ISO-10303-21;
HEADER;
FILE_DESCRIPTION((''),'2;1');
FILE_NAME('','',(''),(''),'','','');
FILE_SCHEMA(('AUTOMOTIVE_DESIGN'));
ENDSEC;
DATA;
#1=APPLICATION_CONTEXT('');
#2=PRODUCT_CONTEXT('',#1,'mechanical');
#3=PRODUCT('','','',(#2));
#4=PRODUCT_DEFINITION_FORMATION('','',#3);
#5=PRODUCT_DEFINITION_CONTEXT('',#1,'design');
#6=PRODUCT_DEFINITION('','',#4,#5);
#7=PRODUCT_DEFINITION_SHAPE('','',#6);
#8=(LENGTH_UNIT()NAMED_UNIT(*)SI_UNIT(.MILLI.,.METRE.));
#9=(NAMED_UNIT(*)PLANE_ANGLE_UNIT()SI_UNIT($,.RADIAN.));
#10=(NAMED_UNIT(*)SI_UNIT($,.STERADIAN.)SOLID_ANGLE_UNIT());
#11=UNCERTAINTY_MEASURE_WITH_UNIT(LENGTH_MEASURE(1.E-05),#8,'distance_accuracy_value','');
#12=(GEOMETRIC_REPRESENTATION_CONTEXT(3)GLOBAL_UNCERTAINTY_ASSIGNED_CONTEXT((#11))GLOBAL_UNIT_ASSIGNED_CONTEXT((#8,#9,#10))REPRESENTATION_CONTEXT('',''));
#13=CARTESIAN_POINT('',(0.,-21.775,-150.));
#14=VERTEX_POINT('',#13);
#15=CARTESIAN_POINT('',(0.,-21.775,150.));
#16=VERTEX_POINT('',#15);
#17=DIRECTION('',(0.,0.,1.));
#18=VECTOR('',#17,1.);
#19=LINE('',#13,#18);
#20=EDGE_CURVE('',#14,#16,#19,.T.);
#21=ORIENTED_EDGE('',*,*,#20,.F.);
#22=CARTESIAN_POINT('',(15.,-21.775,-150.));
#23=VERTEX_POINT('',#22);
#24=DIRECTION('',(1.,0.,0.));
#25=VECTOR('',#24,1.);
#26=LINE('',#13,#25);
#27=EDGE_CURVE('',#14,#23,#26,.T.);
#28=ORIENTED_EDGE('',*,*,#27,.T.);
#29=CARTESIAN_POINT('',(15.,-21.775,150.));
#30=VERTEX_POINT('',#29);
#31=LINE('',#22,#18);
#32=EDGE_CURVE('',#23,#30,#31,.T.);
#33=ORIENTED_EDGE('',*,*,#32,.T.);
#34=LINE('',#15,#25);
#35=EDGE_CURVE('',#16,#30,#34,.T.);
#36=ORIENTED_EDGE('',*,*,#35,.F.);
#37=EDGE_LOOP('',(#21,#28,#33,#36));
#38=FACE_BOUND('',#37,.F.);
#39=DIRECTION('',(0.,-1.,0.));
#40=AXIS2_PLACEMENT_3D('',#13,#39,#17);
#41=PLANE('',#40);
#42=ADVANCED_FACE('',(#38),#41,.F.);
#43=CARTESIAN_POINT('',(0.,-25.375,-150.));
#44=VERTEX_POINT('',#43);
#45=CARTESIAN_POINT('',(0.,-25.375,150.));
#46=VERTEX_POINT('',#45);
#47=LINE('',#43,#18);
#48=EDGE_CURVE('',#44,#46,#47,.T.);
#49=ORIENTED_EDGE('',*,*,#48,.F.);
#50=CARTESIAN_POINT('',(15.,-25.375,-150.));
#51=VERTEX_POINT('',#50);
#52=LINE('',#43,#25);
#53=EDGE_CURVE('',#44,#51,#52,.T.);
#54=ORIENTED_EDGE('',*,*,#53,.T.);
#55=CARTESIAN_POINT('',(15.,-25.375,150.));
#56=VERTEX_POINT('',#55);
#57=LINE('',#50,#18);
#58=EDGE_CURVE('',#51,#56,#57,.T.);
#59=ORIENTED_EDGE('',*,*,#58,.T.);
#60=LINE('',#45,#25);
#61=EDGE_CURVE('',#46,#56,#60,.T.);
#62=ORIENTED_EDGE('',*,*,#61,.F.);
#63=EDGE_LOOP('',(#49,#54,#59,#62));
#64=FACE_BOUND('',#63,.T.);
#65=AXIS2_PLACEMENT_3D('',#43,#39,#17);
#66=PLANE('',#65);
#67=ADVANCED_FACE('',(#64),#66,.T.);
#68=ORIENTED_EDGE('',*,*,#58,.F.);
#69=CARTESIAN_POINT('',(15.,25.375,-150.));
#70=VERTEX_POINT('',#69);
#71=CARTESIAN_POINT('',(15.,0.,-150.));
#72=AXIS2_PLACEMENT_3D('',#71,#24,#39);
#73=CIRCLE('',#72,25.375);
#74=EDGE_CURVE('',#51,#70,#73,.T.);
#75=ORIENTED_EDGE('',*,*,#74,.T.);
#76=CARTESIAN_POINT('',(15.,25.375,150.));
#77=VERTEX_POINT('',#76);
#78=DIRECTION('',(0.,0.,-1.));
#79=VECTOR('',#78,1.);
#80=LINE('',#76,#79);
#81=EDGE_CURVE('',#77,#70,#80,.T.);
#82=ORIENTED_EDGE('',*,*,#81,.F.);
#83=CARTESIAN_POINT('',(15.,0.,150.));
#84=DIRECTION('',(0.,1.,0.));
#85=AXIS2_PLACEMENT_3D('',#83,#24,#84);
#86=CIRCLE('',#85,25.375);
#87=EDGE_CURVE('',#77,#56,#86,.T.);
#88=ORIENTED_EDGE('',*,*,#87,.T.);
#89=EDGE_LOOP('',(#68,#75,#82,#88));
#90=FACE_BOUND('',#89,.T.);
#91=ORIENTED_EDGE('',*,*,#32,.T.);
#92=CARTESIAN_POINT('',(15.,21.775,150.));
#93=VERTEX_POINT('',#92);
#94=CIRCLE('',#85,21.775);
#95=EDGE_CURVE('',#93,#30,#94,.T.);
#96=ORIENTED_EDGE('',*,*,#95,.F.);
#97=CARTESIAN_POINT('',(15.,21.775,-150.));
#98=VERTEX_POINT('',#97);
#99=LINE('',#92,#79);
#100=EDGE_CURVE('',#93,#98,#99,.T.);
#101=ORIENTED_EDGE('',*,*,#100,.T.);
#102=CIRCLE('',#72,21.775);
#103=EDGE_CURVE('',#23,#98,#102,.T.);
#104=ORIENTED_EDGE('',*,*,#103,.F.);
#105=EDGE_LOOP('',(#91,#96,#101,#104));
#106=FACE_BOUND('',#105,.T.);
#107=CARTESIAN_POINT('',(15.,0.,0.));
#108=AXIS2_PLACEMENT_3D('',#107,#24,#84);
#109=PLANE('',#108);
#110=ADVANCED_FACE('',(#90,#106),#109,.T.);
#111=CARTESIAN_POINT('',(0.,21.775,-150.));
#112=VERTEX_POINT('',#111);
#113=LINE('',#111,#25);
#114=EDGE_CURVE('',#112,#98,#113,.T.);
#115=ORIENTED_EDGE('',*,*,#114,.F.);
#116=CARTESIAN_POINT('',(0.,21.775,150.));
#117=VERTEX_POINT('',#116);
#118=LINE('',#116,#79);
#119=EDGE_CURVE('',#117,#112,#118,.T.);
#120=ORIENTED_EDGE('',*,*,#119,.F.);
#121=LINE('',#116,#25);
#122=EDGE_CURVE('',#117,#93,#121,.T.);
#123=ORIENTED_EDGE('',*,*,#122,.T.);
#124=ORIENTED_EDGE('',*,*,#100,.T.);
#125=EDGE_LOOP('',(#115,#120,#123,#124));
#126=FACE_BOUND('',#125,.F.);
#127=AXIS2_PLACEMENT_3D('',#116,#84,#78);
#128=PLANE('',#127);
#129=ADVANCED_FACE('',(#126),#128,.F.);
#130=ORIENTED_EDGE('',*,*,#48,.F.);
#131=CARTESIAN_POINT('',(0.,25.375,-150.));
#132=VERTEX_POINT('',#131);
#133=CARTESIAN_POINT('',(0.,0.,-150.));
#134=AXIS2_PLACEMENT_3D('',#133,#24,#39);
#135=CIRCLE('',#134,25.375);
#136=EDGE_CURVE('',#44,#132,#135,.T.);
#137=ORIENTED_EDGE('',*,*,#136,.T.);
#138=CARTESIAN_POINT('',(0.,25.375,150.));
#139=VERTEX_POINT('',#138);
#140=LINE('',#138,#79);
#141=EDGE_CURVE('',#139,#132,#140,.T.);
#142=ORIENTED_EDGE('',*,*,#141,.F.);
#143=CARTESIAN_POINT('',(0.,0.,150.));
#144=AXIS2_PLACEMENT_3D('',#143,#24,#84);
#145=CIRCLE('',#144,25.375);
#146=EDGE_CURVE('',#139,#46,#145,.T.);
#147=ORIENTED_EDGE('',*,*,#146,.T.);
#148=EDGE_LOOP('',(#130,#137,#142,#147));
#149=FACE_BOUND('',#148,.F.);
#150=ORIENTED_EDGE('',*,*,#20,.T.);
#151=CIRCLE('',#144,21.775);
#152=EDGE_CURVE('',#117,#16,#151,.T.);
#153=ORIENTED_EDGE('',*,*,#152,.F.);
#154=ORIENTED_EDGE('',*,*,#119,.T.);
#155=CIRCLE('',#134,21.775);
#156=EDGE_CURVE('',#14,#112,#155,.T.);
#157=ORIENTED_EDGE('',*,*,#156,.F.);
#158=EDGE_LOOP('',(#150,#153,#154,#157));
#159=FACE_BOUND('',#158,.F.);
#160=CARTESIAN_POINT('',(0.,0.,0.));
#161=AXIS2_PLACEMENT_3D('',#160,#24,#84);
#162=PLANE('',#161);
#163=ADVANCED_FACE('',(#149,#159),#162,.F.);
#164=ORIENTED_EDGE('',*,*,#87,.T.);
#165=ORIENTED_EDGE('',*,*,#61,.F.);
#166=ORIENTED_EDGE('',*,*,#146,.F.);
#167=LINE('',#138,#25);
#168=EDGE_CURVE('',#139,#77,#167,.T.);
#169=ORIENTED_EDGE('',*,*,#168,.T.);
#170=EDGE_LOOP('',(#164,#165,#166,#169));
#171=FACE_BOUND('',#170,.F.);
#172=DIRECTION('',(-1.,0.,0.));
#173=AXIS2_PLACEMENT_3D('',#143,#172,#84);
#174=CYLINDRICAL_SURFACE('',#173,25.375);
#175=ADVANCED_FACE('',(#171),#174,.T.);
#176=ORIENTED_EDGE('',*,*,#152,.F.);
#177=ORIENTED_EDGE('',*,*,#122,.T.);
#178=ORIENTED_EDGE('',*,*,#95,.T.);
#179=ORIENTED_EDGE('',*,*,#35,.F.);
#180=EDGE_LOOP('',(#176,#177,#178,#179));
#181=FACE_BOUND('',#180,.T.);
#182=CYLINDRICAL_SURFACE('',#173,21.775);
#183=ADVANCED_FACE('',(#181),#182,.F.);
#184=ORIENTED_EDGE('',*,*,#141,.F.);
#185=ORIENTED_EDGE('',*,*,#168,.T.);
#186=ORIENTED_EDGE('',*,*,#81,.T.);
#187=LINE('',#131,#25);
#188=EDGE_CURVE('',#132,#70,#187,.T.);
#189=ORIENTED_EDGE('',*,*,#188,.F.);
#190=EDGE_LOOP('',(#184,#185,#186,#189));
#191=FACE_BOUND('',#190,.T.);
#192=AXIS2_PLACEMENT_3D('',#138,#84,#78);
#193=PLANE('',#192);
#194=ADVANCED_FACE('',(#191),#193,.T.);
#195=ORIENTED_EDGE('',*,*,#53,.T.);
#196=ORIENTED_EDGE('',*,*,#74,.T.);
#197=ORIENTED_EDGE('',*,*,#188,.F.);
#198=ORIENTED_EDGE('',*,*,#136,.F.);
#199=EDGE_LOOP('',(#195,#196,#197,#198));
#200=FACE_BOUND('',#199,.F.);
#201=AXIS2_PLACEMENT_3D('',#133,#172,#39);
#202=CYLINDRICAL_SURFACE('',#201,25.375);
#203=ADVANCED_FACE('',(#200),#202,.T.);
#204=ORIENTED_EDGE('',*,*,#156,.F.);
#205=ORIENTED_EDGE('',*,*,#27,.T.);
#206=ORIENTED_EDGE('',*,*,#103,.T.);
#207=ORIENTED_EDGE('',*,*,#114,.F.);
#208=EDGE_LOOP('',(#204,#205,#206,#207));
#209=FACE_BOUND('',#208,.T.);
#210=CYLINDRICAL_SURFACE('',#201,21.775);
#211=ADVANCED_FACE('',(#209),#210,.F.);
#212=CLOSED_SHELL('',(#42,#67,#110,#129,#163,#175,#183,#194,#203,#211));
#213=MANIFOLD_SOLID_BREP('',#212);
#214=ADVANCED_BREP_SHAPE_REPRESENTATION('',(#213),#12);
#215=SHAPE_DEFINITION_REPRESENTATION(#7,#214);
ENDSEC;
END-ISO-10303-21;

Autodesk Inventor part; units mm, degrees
ref_plane "YZ Plane" through (0, 0, 0) normal (1, 0, 0) x (0, 1, 0)
ref_plane "XZ Plane" through (0, 0, 0) normal (0, 1, 0) x (-1, 0, 0)
ref_plane "XY Plane" through (0, 0, 0) normal (0, 0, 1) x (1, 0, 0)
sketch "Sketch1" plane through (0, 0, 0) normal (1, 0, 0) x (0, 1, 0)
  line L0 (0, 150) -> (0, -150) construction
  line L1 (-23.875, 150) -> (-23.875, -150)
  line L2 (23.875, -150) -> (23.875, 150)
  arc A0 (23.875, 150) -> (-23.875, 150) centre (0, 150) ccw
  arc A1 (-23.875, -150) -> (23.875, -150) centre (0, -150) ccw
  line L3 (0, 0) -> (300, 0) construction
  line L4 (25.375, 150) -> (25.375, -150)
  arc A2 (-25.375, -150) -> (25.375, -150) centre (0, -150) ccw
  line L5 (-25.375, -150) -> (-25.375, 150)
  arc A3 (25.375, 150) -> (-25.375, 150) centre (0, 150) ccw
  line L6 (21.775, 150) -> (21.775, -150)
  arc A4 (-21.775, -150) -> (21.775, -150) centre (0, -150) ccw
  line L7 (-21.775, -150) -> (-21.775, 150)
  arc A5 (21.775, 150) -> (-21.775, 150) centre (0, 150) ccw
  dimension "d0" = 150
  dimension "d1" = 90
  dimension "d2" = 47.75
  dimension "d3" = 1.5
  dimension "d4" = 2.1
extrude "Extrusion1" add sketch "Sketch1" along normal blind 15 contours A0 L2 A1 L1 | L4 A2 L5 A3
properties part number "Belt 750" material "Rubber"
